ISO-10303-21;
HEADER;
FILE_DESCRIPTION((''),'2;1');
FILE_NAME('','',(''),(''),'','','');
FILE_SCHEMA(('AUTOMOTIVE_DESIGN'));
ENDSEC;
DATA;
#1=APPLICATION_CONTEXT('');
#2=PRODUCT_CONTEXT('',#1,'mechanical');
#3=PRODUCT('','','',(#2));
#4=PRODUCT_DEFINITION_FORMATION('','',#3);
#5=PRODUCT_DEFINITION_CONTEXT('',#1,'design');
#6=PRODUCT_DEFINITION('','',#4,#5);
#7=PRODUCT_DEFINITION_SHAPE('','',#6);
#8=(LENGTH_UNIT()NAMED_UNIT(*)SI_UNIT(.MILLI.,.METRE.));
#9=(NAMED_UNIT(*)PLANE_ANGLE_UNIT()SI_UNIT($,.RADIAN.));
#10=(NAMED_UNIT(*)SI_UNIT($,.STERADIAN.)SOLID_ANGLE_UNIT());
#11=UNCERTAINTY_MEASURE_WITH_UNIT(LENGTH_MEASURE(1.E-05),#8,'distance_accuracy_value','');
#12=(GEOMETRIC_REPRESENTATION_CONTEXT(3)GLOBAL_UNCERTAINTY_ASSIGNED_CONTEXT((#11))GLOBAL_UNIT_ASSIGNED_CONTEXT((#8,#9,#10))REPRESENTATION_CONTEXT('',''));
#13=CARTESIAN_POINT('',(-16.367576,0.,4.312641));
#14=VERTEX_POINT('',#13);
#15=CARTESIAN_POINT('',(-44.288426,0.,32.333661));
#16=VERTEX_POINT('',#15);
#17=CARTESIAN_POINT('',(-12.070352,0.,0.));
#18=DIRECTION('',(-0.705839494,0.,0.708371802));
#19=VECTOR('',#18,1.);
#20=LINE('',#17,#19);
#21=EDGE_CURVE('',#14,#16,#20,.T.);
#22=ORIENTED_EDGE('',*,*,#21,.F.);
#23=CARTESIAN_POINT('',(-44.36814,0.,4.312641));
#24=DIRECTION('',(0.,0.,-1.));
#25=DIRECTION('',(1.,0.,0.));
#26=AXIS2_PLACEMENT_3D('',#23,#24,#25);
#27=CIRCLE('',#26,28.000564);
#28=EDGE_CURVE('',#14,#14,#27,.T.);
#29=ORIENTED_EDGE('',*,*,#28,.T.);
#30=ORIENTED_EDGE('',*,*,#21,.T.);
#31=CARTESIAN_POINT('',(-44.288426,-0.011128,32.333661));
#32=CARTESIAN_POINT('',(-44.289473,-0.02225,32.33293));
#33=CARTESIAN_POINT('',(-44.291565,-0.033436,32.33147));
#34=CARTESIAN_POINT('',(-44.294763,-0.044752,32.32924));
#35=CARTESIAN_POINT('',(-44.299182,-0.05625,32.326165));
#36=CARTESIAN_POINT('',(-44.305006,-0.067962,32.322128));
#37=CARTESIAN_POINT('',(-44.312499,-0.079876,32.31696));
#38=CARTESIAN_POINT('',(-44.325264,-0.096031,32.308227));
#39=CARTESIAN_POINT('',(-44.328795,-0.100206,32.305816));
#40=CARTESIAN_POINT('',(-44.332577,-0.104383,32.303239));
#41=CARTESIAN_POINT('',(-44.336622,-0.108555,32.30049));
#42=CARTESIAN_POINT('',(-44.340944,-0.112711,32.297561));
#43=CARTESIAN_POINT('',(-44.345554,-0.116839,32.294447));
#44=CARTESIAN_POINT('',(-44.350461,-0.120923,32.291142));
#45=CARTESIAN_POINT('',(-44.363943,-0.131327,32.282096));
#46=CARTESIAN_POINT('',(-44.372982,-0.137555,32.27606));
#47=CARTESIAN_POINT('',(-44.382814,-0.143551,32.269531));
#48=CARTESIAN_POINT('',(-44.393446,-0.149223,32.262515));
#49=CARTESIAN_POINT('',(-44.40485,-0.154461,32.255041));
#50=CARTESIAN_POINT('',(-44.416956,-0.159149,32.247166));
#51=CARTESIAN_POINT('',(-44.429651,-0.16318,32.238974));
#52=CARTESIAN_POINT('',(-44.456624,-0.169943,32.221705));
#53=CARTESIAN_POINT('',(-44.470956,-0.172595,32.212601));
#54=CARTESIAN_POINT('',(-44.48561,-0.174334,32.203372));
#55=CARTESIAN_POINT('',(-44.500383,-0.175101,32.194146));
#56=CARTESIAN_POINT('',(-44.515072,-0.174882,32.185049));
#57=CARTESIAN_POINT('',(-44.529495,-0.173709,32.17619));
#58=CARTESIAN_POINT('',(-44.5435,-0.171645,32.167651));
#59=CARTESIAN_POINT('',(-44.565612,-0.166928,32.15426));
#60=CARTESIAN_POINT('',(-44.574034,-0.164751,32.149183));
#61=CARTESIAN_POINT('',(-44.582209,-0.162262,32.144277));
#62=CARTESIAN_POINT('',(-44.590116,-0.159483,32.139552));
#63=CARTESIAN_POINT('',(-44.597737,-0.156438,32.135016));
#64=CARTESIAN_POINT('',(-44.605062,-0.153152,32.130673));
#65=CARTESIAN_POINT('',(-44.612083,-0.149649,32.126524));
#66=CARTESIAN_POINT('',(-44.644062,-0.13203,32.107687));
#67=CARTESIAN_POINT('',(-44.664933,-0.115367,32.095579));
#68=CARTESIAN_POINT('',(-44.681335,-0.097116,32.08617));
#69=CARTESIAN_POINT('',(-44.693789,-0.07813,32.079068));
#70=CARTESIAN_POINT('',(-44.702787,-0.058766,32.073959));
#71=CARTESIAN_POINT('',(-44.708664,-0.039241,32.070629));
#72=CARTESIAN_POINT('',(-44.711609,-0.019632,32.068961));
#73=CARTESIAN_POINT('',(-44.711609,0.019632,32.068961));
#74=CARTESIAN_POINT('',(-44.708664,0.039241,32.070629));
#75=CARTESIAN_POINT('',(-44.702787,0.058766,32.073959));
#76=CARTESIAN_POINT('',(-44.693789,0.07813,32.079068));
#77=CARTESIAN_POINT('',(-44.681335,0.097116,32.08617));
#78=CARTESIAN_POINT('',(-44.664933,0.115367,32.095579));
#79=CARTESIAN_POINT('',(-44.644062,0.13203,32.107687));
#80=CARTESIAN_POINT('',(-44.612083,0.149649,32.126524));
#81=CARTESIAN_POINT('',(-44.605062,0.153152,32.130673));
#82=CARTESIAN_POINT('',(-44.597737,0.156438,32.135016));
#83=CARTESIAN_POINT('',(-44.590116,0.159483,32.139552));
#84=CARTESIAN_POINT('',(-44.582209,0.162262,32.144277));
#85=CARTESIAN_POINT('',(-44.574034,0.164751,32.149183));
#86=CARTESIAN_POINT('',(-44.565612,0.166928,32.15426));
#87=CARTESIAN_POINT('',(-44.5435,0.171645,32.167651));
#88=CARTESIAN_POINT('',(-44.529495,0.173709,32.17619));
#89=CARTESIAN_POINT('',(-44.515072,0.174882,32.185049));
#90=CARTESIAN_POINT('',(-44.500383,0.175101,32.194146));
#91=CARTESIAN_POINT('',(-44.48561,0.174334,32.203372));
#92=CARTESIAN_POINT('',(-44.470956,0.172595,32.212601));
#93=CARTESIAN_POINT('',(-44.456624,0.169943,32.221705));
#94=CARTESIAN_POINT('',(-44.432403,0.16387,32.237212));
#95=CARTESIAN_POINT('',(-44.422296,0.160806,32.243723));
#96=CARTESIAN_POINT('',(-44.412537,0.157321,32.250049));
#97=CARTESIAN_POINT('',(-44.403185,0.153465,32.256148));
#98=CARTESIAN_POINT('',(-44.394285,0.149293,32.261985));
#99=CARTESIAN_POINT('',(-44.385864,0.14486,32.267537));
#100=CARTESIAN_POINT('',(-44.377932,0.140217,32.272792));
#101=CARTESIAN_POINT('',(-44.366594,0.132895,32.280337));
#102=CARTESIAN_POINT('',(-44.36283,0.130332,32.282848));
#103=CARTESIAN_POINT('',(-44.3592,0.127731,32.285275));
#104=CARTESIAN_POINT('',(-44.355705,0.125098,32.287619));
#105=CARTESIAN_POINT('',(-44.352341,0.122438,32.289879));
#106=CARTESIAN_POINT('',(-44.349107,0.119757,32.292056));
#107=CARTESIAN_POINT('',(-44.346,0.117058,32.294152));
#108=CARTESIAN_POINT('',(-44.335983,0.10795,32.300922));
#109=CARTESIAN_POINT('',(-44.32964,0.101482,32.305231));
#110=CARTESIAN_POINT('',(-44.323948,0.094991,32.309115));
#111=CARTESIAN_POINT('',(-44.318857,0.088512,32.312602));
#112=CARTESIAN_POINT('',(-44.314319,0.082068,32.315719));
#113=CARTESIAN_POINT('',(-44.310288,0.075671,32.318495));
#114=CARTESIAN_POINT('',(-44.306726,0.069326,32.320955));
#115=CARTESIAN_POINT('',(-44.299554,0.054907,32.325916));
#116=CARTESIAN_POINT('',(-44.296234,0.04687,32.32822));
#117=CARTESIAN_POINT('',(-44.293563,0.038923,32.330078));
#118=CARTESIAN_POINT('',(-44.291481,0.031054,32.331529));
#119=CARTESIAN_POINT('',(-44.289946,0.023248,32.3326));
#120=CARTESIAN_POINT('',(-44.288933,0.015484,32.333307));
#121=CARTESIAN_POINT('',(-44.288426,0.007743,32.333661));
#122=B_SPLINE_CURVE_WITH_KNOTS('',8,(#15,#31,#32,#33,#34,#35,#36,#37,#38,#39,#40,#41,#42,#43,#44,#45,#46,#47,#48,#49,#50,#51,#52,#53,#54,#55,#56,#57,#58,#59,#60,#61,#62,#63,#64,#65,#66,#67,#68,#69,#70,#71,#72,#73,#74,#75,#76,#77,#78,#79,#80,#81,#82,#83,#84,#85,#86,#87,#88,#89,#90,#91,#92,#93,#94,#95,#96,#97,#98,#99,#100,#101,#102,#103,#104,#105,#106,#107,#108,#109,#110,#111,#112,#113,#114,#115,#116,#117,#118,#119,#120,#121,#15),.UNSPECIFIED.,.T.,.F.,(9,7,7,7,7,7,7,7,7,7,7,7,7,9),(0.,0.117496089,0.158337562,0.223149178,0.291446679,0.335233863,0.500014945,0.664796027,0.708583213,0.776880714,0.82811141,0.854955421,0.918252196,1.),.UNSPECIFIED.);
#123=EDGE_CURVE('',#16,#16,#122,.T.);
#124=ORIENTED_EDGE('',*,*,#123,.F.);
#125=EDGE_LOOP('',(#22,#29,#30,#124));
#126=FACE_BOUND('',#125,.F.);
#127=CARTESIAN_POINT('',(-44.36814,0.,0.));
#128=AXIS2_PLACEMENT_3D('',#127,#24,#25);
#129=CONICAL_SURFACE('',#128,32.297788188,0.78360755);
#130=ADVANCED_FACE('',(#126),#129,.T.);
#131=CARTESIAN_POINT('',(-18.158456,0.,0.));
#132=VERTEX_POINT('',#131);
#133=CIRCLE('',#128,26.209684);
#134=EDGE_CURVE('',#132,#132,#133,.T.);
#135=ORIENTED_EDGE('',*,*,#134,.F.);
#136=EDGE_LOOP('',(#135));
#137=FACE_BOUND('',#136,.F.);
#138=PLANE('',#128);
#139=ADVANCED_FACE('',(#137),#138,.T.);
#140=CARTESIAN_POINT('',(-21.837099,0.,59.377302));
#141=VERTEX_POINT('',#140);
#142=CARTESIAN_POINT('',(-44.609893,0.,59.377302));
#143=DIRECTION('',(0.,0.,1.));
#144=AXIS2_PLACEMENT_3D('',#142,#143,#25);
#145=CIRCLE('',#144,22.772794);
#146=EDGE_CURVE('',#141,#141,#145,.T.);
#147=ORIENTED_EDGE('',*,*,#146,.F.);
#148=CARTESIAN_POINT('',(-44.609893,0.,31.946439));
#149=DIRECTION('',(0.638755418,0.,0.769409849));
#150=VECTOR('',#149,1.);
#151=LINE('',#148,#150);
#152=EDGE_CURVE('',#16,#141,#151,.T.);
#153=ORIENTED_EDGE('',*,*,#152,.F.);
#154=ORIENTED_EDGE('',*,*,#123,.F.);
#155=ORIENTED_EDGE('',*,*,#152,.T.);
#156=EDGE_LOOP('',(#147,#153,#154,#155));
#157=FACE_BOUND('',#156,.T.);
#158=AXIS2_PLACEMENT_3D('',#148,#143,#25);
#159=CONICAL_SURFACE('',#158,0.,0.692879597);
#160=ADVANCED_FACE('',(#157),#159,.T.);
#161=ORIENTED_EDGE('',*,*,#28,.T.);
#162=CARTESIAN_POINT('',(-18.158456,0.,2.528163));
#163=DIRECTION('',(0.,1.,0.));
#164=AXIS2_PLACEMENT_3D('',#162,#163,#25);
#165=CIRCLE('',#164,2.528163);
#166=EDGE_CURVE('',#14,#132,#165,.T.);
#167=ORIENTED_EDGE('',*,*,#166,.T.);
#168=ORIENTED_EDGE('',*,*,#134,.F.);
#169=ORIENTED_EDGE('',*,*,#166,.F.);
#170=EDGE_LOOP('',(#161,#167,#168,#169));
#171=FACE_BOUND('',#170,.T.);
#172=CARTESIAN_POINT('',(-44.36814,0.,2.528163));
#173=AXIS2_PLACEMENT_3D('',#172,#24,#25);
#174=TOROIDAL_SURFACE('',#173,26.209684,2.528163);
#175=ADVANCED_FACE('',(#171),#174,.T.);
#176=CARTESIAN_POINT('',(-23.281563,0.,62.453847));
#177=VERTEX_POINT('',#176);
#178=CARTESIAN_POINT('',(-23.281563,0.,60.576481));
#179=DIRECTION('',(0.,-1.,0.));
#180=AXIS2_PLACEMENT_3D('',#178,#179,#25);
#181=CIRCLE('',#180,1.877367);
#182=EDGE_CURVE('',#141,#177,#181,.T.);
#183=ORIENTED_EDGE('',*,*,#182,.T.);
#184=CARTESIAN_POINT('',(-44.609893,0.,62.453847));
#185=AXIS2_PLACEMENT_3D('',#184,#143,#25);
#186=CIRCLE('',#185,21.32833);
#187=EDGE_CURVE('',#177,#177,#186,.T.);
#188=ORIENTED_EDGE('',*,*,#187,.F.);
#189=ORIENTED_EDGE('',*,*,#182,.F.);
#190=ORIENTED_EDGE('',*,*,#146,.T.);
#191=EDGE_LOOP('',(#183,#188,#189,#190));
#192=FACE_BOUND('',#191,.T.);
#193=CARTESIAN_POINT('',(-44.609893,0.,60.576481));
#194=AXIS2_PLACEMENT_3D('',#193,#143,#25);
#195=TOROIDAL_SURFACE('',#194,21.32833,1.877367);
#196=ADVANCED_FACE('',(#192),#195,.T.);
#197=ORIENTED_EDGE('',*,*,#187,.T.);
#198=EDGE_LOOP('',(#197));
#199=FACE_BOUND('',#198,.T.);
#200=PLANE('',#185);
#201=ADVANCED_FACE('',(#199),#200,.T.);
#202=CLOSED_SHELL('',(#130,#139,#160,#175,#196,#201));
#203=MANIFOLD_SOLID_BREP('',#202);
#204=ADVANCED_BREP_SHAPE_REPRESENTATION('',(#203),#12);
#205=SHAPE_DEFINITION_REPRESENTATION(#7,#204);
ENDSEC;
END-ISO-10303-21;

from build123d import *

# Parameters (mm, degrees)
F2_R = 2.5281634783
F5_R = 1.8773668217


with BuildPart() as f1:
    # F0 (on Front) → F1 (revolve)
    with BuildSketch(Plane.XZ):
        Polygon((-12.0703522116, 0), (-44.3681403995, 32.4136614799), (-44.3681403995, 0), align=None)
    revolve(axis=Axis((-44.3681403995, 0, 16.20683074), (0, 0, -1)))

    # F2
    f2_edges = [f1.edges().sort_by_distance(p)[0] for p in [
        (-76.665929, 0, 0),
        (-28.219246, 0, 16.206831),
    ]]
    fillet(f2_edges, radius=F2_R)

    # F3 (on Front) → F4 (revolve)
    with BuildSketch(Plane.XZ):
        Polygon((-44.6098931134, 62.4538473785), (-44.6098931134, 31.946439296), (-19.2829854786, 62.4538473785), align=None)
    revolve(axis=Axis((-44.6098931134, 0, 47.2001433372), (0, 0, 1)))

    # F5
    f5_edges = [f1.edges().sort_by_distance(p)[0] for p in [
        (-69.936801, 0, 62.453847),
    ]]
    fillet(f5_edges, radius=F5_R)


solid = f1.part
